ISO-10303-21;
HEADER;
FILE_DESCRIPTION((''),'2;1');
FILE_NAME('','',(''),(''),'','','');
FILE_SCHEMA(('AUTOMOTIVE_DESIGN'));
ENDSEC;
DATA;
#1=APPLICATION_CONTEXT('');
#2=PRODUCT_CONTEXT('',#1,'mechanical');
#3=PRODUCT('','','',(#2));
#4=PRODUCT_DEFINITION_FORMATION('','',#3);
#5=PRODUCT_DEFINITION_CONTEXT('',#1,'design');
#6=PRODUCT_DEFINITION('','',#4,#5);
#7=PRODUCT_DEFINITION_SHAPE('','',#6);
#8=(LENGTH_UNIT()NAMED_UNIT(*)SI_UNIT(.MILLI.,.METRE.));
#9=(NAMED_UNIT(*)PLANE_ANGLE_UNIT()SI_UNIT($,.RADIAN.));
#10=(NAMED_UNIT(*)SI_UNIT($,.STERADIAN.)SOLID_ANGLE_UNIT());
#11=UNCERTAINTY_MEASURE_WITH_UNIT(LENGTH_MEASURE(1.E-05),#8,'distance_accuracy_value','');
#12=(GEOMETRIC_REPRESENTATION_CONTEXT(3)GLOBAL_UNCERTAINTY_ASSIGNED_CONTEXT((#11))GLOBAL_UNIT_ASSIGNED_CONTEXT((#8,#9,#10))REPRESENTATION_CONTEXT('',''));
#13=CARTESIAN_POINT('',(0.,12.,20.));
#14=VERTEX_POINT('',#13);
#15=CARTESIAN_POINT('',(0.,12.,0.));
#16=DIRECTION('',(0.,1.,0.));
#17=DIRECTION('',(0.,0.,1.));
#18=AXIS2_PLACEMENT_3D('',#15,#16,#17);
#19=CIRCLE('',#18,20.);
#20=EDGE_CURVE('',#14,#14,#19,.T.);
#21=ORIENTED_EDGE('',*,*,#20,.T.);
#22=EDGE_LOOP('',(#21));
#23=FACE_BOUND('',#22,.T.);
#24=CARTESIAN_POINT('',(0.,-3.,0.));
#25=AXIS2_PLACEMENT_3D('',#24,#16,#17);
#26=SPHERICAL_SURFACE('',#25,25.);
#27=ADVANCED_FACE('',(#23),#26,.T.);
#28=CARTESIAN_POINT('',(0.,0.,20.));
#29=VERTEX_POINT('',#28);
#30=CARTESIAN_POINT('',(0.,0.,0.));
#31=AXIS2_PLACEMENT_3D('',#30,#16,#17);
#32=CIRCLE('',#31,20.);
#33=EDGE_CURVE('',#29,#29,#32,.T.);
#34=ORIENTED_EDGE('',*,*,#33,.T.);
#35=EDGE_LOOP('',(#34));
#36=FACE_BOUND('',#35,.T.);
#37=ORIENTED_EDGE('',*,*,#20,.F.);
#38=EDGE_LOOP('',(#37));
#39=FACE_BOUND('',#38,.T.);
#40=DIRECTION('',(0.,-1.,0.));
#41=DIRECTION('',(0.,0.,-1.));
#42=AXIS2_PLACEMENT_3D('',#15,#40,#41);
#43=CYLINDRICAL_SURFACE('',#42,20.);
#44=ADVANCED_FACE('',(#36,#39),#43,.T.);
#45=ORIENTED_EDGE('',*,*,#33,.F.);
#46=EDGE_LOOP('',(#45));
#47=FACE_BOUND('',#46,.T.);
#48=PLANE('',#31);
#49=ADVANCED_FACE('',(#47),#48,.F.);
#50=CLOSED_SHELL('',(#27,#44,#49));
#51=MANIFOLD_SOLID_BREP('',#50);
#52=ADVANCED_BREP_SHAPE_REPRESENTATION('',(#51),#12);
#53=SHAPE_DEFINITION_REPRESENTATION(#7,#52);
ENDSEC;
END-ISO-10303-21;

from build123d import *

# Parameters (mm, degrees)
SKETCH1_R           = 20
BOSS_EXTRUDE1_DEPTH = 12
DOME1_FACE_RADIUS   = 20
DOME1_HEIGHT        = 10


with BuildPart() as part:
    # Sketch1 → Boss-Extrude1 (new body)
    with BuildSketch(Plane(origin=(0, 0, 0), x_dir=(1, 0, 0), z_dir=(0, 1, 0))):
        with Locations(Location((0, 0, 0), (0, 0, 270))):
            Circle(SKETCH1_R)
    extrude(amount=BOSS_EXTRUDE1_DEPTH)

    # Dome1: a dome of height H over a round flat face of radius A is a cap of a sphere of radius (A * A + H * H) / (2 * H)
    dome1_r = (DOME1_FACE_RADIUS * DOME1_FACE_RADIUS + DOME1_HEIGHT * DOME1_HEIGHT) / (2 * DOME1_HEIGHT)
    dome1_base = Plane((0, 12, 0), z_dir=(0, 1, 0))
    with Locations(dome1_base.offset(DOME1_HEIGHT - dome1_r)):
        dome1_ball = Sphere(dome1_r, mode=Mode.PRIVATE)
    add(split(dome1_ball, bisect_by=dome1_base, keep=Keep.TOP, mode=Mode.PRIVATE))


solid = part.part
